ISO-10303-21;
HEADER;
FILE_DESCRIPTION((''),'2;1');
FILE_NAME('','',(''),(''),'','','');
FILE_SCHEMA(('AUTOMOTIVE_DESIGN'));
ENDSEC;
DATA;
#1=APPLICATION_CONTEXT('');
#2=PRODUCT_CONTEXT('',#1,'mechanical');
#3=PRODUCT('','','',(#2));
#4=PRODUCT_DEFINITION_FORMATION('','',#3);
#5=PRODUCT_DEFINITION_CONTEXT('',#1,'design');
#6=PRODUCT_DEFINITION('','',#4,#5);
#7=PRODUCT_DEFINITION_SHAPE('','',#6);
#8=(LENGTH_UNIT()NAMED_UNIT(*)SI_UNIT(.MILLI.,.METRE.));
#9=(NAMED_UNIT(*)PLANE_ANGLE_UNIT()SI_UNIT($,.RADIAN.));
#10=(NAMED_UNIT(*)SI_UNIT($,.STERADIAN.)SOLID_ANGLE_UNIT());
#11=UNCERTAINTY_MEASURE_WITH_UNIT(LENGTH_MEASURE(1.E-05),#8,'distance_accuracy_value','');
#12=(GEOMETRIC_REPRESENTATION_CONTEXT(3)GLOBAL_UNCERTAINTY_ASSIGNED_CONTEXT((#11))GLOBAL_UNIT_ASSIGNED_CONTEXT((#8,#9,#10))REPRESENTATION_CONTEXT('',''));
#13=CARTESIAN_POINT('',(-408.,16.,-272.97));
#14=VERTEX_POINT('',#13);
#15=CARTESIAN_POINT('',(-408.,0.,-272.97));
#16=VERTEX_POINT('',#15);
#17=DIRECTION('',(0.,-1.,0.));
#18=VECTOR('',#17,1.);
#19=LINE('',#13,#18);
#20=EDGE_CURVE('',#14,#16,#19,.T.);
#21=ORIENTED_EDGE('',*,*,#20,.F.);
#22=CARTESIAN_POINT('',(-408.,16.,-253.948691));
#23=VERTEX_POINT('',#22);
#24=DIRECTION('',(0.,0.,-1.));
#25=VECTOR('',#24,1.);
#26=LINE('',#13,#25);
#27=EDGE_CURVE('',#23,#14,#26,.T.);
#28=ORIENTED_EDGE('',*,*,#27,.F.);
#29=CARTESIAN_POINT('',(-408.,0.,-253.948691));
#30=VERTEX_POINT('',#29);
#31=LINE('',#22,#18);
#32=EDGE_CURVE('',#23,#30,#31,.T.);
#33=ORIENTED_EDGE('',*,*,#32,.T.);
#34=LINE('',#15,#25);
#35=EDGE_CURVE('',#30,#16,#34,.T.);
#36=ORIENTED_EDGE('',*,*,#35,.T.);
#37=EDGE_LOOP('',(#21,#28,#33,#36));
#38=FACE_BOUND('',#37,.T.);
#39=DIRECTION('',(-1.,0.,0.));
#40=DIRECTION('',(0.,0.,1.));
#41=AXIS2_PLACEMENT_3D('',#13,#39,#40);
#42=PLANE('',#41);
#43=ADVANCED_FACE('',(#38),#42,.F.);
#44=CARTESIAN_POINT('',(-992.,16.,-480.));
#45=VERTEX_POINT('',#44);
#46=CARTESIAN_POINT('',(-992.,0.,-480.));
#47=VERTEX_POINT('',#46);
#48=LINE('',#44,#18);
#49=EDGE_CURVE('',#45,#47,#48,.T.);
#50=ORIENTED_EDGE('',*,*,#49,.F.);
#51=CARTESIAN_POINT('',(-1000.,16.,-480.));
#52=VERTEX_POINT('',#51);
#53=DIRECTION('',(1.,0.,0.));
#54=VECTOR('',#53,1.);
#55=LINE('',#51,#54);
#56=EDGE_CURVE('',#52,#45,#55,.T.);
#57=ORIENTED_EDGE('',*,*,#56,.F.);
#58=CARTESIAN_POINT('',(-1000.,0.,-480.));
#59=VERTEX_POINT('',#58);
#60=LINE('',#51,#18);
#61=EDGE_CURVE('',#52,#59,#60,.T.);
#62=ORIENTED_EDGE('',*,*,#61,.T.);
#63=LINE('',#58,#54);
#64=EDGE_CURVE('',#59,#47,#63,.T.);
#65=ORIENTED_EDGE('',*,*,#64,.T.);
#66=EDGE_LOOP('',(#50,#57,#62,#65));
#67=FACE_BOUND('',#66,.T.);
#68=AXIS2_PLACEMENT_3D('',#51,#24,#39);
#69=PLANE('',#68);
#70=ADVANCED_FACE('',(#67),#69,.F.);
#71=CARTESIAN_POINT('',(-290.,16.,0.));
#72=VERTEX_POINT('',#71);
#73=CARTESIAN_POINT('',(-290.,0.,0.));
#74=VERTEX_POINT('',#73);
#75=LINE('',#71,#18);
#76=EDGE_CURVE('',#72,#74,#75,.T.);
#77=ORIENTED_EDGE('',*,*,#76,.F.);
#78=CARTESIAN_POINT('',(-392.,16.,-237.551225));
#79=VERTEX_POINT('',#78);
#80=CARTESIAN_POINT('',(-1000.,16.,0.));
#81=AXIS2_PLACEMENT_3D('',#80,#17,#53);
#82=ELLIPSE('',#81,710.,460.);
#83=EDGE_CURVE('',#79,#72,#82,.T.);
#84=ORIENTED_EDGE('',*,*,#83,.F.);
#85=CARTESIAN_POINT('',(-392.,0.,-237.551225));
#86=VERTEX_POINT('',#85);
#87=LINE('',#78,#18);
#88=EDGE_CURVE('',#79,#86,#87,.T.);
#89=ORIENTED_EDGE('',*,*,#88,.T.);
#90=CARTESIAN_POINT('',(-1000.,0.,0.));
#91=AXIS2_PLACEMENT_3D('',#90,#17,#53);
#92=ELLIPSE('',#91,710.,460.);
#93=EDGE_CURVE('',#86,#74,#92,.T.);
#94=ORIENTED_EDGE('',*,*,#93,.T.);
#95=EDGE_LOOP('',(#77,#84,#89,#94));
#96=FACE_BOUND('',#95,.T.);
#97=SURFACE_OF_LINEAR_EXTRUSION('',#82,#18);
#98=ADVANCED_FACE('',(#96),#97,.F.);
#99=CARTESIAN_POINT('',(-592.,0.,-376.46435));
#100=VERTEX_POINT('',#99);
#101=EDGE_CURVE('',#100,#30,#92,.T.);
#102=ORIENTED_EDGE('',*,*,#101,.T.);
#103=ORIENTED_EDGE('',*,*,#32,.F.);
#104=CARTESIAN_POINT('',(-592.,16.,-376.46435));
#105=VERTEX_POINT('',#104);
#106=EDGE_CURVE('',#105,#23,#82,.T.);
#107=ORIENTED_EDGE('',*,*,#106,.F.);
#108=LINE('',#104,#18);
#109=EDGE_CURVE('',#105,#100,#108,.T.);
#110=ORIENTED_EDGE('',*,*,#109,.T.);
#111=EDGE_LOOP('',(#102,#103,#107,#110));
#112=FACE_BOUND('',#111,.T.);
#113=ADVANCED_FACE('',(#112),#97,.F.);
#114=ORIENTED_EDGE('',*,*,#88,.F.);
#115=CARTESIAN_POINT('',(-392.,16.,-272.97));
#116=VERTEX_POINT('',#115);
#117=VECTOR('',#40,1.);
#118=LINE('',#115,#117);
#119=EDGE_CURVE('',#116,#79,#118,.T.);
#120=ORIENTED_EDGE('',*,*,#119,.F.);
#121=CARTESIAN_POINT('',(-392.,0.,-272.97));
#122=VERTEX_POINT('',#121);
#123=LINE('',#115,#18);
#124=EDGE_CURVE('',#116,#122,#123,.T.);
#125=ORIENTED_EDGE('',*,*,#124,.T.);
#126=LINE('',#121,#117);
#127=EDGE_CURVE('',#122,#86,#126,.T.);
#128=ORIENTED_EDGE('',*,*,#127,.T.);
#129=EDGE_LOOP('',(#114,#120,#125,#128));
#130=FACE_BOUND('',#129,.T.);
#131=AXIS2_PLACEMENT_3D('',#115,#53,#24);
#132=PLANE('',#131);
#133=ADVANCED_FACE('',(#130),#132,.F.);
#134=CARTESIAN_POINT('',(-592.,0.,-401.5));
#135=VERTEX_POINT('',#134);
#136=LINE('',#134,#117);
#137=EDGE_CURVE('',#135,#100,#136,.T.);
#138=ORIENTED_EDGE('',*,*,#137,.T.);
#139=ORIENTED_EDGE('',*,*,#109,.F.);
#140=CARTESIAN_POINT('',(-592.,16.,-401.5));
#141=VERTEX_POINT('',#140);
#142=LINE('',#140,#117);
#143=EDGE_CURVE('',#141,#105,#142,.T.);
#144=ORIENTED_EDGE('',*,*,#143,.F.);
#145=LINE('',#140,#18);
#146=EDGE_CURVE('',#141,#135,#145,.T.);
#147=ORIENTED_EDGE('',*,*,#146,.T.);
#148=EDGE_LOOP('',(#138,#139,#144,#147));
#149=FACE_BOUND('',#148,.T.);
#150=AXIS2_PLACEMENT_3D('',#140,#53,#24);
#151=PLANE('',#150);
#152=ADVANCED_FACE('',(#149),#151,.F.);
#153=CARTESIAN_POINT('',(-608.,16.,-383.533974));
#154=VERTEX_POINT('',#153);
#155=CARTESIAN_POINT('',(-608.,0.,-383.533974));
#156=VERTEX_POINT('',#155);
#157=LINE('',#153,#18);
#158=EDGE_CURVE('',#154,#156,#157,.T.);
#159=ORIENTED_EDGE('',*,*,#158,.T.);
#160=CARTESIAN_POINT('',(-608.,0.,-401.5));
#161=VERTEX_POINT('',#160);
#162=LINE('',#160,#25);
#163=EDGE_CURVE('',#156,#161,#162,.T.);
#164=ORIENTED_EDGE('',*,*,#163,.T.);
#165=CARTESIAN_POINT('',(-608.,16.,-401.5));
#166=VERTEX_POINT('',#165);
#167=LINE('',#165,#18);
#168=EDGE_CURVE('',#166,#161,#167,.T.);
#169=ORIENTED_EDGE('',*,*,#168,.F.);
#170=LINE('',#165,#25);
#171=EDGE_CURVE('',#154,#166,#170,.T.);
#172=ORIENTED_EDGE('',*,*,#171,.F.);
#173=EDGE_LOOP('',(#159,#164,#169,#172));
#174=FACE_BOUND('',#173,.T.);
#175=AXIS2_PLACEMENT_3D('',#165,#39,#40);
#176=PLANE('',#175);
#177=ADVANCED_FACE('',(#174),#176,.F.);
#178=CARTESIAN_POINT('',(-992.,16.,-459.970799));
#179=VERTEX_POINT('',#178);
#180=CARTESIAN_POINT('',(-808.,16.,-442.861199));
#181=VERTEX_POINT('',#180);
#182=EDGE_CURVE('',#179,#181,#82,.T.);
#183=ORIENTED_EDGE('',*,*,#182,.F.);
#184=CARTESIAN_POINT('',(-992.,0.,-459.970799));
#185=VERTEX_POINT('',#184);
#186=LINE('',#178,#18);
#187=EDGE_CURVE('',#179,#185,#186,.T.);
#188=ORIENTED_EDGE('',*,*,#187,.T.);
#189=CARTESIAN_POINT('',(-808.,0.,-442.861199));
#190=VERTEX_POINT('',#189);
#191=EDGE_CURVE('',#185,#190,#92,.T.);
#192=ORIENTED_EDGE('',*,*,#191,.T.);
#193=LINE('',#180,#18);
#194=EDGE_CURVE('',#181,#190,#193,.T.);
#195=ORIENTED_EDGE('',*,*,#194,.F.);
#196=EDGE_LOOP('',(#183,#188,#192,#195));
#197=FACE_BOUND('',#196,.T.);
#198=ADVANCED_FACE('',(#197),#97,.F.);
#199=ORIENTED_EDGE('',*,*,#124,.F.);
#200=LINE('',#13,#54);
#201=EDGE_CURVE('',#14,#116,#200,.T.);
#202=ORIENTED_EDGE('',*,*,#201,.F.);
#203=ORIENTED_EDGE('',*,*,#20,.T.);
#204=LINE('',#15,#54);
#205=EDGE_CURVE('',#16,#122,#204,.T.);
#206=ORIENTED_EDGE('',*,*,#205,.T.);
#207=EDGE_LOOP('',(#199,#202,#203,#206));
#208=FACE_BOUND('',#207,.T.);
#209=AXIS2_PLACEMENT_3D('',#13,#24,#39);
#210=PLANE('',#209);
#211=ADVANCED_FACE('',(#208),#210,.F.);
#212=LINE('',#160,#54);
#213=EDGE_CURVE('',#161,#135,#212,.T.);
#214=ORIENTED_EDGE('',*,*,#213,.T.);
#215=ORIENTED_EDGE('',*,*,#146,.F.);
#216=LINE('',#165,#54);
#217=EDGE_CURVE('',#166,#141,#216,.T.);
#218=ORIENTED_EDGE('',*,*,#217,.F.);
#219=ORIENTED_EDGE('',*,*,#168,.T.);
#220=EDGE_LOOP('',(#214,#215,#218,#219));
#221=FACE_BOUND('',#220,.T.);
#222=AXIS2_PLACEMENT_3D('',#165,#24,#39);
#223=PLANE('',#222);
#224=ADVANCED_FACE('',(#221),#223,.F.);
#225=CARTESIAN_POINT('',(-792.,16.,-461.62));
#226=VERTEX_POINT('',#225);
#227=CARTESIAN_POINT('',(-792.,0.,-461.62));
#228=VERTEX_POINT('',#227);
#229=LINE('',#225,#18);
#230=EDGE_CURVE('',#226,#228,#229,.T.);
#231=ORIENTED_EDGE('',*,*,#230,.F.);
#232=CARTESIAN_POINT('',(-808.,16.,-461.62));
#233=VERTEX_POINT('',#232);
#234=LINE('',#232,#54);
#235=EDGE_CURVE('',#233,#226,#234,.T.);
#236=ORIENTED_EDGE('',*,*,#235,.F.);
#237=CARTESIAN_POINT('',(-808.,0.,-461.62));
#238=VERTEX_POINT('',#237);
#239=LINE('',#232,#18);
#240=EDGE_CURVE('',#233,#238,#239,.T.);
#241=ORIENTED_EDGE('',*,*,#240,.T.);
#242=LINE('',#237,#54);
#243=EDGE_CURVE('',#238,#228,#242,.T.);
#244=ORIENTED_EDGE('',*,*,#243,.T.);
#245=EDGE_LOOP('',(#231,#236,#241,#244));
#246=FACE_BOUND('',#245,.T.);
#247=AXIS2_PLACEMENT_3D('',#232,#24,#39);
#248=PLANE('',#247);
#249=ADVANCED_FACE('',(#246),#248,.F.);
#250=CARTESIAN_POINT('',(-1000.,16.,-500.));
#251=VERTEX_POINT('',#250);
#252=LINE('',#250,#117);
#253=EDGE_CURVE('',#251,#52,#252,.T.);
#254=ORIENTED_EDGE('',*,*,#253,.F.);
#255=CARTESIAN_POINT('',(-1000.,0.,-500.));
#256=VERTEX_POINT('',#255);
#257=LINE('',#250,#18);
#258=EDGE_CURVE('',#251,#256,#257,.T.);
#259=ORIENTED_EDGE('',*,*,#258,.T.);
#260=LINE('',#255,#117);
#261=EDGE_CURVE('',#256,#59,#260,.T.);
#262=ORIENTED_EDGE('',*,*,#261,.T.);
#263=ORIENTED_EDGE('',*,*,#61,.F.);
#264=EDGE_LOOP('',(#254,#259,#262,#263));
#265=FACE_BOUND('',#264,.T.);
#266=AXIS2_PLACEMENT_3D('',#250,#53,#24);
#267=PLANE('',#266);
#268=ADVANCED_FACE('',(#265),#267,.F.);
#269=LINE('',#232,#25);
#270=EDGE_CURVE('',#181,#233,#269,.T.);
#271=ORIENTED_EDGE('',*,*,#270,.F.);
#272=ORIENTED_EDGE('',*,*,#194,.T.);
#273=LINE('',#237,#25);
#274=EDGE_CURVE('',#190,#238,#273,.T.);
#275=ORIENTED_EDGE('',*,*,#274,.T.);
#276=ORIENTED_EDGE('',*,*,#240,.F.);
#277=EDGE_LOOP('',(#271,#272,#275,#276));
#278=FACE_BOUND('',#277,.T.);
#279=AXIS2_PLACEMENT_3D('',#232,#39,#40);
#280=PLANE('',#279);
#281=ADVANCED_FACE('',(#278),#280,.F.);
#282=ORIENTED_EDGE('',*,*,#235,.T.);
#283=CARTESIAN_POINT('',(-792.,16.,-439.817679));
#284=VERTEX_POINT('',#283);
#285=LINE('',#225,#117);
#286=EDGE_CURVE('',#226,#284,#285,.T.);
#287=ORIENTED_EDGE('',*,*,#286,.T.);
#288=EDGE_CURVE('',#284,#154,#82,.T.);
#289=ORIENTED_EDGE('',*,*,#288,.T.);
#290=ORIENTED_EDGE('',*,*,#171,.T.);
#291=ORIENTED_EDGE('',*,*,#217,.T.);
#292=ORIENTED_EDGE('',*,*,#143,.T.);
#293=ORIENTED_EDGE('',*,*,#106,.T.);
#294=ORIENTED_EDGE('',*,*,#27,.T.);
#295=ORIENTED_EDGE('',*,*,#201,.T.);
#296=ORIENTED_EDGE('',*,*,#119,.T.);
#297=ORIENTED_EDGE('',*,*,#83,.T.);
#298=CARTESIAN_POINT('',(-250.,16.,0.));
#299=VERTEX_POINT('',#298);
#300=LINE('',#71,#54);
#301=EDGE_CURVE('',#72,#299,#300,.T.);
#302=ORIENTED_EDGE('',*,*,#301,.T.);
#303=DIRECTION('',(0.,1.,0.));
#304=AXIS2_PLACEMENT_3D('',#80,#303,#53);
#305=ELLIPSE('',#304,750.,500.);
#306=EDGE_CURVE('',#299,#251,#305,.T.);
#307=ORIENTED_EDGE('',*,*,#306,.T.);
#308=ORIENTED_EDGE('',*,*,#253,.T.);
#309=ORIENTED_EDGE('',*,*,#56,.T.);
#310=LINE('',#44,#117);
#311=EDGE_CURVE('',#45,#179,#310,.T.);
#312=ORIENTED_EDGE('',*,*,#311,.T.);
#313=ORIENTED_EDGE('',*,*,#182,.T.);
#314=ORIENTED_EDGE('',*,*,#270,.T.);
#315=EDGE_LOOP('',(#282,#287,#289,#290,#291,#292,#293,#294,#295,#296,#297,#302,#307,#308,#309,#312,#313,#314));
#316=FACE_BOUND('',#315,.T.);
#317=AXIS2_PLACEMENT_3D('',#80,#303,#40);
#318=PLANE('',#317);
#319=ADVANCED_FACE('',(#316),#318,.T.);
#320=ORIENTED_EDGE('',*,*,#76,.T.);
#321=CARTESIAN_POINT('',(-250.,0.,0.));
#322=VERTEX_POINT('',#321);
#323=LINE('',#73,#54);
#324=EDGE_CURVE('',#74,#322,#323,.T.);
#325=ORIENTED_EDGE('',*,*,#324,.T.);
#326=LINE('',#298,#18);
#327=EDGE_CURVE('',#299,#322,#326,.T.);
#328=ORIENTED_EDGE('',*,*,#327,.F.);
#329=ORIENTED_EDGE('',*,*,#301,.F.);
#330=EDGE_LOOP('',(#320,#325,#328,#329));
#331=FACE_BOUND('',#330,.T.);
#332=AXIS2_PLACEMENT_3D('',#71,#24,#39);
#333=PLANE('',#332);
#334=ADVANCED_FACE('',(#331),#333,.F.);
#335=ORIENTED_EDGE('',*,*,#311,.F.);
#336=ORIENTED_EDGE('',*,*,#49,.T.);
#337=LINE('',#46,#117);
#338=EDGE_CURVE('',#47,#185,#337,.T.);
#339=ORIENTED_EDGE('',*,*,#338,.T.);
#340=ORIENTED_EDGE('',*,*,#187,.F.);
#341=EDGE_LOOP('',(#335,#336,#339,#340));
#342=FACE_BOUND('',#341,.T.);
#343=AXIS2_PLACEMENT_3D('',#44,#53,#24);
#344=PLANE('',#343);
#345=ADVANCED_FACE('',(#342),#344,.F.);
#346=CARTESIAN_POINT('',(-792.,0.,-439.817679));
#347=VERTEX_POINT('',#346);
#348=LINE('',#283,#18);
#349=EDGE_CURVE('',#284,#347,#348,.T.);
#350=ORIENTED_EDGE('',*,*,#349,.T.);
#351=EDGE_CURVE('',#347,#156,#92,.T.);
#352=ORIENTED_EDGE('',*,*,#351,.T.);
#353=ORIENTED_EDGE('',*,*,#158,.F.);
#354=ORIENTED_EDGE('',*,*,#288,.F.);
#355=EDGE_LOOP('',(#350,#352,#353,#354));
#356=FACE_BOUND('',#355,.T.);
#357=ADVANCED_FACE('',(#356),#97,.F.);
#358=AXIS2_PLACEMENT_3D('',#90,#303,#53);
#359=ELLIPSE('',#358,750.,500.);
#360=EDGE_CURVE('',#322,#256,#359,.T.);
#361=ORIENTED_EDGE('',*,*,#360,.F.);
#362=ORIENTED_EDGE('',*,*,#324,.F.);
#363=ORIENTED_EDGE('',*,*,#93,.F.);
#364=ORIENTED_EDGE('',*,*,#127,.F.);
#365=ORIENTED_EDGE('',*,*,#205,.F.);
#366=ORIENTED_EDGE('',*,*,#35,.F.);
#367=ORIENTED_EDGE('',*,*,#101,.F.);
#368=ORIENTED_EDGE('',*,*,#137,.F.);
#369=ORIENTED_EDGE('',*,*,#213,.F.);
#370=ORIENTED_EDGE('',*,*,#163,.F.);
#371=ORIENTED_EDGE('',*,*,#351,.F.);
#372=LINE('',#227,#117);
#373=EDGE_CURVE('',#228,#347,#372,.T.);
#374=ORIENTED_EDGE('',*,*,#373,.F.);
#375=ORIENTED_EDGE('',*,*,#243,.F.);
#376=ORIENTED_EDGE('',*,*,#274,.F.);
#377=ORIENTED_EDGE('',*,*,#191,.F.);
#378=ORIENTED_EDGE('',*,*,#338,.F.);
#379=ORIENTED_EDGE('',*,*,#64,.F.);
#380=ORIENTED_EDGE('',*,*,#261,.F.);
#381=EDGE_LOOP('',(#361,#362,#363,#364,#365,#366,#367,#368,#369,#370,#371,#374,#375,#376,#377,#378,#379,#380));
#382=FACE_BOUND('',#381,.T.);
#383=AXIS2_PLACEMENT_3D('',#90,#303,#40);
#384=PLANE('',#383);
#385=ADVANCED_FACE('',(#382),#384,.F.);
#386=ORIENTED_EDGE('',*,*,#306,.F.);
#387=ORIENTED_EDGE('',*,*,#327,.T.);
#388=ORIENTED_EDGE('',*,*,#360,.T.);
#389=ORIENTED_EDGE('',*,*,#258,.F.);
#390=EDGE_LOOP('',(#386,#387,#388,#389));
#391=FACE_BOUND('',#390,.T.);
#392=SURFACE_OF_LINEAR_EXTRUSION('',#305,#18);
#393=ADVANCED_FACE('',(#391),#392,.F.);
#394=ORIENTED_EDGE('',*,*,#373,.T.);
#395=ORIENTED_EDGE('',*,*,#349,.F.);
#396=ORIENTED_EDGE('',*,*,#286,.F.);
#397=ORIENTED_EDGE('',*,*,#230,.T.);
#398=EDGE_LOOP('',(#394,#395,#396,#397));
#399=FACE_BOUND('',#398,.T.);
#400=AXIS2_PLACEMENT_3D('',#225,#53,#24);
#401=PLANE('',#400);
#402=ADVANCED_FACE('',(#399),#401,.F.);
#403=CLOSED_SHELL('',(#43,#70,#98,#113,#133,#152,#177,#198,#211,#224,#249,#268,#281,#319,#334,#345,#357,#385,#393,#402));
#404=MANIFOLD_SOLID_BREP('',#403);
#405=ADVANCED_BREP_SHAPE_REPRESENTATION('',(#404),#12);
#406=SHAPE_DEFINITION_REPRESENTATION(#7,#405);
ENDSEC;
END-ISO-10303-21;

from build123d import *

# Parameters (mm, degrees)
EXTRUDE_1_DEPTH = 16


with BuildPart() as part:
    # Эскиз1 → Бобышка-Вытянуть1 (new body)
    with BuildSketch(Plane(origin=(0, 0, 0), x_dir=(1, 0, 0), z_dir=(0, 1, 0))):
        with BuildLine():
            Line((-1000, 500), (-1000, 480))
            Line((-1000, 480), (-992, 480))
            Line((-992, 480), (-992, 459.970798518))
            add(Edge.make_bspline(
                [(-808, 442.861199089), (-898.256504918, 459.286414541), (-992, 459.970798518)],
                knots=[1.296964435, 1.296964435, 1.296964435, 1.559528483, 1.559528483, 1.559528483], degree=2, weights=[1, 0.991394885, 1]))
            Line((-808, 442.861199089), (-808, 461.62))
            Line((-808, 461.62), (-792, 461.62))
            Line((-792, 461.62), (-792, 439.817678769))
            add(Edge.make_bspline(
                [(-608, 383.533973809), (-693.710948609, 420.305994383), (-792, 439.817678769)],
                knots=[0.985900323, 0.985900323, 0.985900323, 1.273477477, 1.273477477, 1.273477477], degree=2, weights=[1, 0.989680221, 1]))
            Line((-608, 383.533973809), (-608, 401.5))
            Line((-608, 401.5), (-592, 401.5))
            Line((-592, 401.5), (-592, 376.464350057))
            add(Edge.make_bspline(
                [(-408, 253.948691099), (-482.120546549, 326.477961202), (-592, 376.464350057)],
                knots=[0.584835671, 0.584835671, 0.584835671, 0.958622489, 0.958622489, 0.958622489], degree=2, weights=[1, 0.982586203, 1]))
            Line((-408, 253.948691099), (-408, 272.97))
            Line((-408, 272.97), (-392, 272.97))
            Line((-392, 272.97), (-392, 237.551224808))
            add(Edge.make_bspline(
                [(-290, 0), (-290, 127.967655246), (-392, 237.551224808)],
                knots=[0, 0, 0, 0.542660036, 0.542660036, 0.542660036], degree=2, weights=[1, 0.963415286, 1]))
            Line((-290, 0), (-250, 0))
            add(Edge.make_bspline(
                [(-250, 0), (-250, 500), (-1000, 500)],
                knots=[3.141592654, 3.141592654, 3.141592654, 4.71238898, 4.71238898, 4.71238898], degree=2, weights=[1, 0.707106781, 1]))
        make_face()
    extrude(amount=EXTRUDE_1_DEPTH)


solid = part.part
